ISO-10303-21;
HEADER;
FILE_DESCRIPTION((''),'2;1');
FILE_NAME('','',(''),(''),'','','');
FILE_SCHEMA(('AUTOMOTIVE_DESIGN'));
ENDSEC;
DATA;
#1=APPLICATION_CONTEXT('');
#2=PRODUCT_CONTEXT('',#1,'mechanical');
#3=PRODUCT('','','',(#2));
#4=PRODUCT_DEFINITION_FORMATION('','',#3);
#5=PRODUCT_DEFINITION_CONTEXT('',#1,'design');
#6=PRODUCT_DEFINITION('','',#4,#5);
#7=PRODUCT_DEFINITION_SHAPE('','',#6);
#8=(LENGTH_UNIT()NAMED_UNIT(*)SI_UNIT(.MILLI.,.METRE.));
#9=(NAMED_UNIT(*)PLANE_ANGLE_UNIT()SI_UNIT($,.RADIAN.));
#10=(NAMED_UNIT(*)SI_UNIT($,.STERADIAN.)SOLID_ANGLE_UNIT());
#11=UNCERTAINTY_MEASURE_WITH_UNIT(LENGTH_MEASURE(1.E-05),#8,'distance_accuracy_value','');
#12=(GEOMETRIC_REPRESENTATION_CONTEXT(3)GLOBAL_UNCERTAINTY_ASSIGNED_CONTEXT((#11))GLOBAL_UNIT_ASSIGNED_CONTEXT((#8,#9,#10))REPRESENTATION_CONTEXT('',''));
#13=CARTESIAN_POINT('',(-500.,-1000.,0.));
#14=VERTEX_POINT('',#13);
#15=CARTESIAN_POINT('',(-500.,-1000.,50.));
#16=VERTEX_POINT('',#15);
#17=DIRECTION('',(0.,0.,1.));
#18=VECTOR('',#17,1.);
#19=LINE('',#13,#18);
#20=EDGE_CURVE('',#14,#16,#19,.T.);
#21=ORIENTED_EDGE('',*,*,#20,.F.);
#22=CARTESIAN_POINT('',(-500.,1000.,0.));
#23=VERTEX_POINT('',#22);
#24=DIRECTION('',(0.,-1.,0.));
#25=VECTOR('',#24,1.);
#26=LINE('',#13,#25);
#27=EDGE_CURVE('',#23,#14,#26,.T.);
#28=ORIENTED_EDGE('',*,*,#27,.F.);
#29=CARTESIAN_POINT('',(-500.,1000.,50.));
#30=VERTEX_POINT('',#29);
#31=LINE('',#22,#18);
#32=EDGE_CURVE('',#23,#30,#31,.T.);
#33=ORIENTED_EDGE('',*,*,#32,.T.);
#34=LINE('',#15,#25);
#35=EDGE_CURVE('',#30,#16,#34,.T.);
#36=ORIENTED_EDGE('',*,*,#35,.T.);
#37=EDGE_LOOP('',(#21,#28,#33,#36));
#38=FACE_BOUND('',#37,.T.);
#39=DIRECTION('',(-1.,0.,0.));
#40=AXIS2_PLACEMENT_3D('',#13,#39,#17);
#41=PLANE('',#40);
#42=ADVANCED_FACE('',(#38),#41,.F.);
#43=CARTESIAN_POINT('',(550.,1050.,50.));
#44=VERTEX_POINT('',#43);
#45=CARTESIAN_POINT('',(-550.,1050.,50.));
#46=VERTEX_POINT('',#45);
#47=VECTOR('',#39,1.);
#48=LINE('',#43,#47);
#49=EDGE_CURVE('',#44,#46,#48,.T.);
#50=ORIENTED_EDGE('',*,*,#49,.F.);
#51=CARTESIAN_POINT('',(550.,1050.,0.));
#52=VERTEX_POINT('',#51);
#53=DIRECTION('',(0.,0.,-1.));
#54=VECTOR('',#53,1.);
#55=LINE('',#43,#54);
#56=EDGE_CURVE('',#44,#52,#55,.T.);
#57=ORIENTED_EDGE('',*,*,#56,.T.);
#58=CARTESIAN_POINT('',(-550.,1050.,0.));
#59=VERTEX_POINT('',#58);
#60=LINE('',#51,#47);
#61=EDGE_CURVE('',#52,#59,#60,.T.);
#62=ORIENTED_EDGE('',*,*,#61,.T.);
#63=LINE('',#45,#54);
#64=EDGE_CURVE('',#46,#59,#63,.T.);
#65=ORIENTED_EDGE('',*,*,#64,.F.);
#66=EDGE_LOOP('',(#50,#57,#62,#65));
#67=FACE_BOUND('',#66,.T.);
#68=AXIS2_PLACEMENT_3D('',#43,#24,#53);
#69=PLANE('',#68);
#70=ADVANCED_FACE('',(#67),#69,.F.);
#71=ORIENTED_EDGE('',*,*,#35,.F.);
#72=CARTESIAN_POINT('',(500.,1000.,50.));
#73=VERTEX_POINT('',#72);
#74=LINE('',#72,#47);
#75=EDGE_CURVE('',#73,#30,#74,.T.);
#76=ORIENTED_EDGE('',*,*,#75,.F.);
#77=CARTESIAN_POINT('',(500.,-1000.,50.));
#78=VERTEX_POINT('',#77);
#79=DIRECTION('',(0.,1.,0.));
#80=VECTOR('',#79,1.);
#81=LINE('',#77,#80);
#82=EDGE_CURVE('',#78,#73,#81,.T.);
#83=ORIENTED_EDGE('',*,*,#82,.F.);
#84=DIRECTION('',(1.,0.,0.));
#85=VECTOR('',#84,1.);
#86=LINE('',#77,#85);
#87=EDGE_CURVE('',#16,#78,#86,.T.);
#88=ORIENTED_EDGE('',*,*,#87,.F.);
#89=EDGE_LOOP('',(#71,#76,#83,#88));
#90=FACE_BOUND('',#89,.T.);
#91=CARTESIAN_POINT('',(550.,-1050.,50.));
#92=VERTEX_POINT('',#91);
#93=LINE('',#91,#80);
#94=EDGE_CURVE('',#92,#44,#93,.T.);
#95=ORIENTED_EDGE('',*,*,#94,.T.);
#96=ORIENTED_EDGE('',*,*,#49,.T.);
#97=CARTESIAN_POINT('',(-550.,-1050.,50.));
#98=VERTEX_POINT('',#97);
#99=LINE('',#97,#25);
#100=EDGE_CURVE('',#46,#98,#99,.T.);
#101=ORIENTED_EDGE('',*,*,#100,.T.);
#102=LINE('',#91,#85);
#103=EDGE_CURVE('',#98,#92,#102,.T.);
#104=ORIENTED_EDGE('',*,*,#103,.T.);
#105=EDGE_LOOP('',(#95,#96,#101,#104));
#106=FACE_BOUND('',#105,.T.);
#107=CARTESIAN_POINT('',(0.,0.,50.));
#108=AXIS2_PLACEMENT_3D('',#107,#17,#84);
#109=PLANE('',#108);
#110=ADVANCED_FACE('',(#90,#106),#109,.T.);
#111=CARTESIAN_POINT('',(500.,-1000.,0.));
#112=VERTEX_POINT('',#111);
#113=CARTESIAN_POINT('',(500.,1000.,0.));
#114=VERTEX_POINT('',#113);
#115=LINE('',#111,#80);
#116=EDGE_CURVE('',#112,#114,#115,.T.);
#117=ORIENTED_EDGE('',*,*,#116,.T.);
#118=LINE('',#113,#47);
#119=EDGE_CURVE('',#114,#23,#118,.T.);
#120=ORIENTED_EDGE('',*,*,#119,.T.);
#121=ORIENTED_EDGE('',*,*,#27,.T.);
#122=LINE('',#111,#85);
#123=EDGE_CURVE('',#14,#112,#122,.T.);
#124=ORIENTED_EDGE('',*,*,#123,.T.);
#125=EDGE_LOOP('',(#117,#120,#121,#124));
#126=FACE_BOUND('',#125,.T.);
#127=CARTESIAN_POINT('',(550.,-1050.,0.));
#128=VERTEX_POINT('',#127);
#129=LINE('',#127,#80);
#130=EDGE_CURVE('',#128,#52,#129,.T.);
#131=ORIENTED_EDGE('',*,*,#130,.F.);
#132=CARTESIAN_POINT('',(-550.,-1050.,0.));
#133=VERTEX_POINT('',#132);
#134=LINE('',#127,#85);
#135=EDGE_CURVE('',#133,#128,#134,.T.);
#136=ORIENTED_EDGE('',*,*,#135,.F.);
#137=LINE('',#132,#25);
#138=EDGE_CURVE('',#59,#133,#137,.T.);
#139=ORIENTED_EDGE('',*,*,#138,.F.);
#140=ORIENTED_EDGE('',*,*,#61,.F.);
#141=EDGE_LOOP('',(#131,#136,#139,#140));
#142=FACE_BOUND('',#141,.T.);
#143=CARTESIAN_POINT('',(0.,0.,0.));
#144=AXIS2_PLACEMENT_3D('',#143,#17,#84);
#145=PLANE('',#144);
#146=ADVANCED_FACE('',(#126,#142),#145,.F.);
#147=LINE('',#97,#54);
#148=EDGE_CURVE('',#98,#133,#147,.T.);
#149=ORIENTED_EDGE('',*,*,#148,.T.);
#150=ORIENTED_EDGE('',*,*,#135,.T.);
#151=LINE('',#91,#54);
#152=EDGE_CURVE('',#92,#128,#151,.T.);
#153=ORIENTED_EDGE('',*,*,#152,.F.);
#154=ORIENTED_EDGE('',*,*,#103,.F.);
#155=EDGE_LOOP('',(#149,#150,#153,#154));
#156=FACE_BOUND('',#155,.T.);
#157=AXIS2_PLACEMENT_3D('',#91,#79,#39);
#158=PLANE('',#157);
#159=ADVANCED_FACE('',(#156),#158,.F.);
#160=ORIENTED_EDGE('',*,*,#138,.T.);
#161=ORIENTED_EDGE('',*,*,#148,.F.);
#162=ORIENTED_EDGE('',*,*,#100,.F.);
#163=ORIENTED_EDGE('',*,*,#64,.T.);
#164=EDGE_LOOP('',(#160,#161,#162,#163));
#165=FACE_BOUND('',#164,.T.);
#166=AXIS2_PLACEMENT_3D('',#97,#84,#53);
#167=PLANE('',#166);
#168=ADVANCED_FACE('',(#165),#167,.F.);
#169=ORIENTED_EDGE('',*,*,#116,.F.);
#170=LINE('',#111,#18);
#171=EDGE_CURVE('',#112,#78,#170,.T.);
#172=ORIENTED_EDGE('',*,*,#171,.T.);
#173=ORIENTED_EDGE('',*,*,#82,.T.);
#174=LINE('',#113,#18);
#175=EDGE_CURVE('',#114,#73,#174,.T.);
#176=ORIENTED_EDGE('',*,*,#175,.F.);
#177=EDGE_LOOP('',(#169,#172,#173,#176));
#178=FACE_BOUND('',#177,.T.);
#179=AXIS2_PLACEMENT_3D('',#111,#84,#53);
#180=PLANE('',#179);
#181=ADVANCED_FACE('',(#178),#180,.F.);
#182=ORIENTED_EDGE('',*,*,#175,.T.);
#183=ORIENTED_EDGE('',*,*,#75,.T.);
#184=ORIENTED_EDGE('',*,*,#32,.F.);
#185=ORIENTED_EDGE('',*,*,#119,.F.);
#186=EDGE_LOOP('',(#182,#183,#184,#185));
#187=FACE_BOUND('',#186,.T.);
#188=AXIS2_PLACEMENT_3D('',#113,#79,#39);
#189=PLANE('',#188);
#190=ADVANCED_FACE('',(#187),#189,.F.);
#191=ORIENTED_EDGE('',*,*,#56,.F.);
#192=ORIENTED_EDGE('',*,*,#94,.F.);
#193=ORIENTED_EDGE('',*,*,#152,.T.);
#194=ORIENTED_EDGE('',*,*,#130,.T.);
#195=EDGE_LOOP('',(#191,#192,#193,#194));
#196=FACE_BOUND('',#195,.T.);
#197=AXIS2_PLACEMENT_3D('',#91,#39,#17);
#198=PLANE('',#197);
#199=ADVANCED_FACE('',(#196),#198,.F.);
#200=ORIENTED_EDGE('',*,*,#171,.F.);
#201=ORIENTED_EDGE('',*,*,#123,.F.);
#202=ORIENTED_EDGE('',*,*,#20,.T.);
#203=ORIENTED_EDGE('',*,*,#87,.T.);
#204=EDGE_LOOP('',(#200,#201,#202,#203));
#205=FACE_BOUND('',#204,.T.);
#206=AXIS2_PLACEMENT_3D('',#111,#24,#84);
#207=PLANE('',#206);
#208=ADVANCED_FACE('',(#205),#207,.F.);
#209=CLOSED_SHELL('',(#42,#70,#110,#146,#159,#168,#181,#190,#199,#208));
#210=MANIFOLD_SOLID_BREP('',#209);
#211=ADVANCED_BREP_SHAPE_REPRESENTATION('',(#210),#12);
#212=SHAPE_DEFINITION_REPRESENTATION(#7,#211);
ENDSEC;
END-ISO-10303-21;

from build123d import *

# Parameters (mm, degrees)
SKETCH1_W           = 1100
SKETCH1_H           = 2100
BOSS_EXTRUDE1_DEPTH = 50
SKETCH2_W           = 1000
SKETCH2_H           = 2000
CUT_EXTRUDE1_DEPTH  = 50


with BuildPart() as part:
    # Sketch1 → Boss-Extrude1 (new body)
    with BuildSketch(Plane.XY):
        Rectangle(SKETCH1_W, SKETCH1_H)
    extrude(amount=BOSS_EXTRUDE1_DEPTH)

    # Sketch2 → Cut-Extrude1 (cut)
    with BuildSketch(Plane.XY.offset(50)):
        Rectangle(SKETCH2_W, SKETCH2_H)
    extrude(amount=-CUT_EXTRUDE1_DEPTH, mode=Mode.SUBTRACT)


solid = part.part
